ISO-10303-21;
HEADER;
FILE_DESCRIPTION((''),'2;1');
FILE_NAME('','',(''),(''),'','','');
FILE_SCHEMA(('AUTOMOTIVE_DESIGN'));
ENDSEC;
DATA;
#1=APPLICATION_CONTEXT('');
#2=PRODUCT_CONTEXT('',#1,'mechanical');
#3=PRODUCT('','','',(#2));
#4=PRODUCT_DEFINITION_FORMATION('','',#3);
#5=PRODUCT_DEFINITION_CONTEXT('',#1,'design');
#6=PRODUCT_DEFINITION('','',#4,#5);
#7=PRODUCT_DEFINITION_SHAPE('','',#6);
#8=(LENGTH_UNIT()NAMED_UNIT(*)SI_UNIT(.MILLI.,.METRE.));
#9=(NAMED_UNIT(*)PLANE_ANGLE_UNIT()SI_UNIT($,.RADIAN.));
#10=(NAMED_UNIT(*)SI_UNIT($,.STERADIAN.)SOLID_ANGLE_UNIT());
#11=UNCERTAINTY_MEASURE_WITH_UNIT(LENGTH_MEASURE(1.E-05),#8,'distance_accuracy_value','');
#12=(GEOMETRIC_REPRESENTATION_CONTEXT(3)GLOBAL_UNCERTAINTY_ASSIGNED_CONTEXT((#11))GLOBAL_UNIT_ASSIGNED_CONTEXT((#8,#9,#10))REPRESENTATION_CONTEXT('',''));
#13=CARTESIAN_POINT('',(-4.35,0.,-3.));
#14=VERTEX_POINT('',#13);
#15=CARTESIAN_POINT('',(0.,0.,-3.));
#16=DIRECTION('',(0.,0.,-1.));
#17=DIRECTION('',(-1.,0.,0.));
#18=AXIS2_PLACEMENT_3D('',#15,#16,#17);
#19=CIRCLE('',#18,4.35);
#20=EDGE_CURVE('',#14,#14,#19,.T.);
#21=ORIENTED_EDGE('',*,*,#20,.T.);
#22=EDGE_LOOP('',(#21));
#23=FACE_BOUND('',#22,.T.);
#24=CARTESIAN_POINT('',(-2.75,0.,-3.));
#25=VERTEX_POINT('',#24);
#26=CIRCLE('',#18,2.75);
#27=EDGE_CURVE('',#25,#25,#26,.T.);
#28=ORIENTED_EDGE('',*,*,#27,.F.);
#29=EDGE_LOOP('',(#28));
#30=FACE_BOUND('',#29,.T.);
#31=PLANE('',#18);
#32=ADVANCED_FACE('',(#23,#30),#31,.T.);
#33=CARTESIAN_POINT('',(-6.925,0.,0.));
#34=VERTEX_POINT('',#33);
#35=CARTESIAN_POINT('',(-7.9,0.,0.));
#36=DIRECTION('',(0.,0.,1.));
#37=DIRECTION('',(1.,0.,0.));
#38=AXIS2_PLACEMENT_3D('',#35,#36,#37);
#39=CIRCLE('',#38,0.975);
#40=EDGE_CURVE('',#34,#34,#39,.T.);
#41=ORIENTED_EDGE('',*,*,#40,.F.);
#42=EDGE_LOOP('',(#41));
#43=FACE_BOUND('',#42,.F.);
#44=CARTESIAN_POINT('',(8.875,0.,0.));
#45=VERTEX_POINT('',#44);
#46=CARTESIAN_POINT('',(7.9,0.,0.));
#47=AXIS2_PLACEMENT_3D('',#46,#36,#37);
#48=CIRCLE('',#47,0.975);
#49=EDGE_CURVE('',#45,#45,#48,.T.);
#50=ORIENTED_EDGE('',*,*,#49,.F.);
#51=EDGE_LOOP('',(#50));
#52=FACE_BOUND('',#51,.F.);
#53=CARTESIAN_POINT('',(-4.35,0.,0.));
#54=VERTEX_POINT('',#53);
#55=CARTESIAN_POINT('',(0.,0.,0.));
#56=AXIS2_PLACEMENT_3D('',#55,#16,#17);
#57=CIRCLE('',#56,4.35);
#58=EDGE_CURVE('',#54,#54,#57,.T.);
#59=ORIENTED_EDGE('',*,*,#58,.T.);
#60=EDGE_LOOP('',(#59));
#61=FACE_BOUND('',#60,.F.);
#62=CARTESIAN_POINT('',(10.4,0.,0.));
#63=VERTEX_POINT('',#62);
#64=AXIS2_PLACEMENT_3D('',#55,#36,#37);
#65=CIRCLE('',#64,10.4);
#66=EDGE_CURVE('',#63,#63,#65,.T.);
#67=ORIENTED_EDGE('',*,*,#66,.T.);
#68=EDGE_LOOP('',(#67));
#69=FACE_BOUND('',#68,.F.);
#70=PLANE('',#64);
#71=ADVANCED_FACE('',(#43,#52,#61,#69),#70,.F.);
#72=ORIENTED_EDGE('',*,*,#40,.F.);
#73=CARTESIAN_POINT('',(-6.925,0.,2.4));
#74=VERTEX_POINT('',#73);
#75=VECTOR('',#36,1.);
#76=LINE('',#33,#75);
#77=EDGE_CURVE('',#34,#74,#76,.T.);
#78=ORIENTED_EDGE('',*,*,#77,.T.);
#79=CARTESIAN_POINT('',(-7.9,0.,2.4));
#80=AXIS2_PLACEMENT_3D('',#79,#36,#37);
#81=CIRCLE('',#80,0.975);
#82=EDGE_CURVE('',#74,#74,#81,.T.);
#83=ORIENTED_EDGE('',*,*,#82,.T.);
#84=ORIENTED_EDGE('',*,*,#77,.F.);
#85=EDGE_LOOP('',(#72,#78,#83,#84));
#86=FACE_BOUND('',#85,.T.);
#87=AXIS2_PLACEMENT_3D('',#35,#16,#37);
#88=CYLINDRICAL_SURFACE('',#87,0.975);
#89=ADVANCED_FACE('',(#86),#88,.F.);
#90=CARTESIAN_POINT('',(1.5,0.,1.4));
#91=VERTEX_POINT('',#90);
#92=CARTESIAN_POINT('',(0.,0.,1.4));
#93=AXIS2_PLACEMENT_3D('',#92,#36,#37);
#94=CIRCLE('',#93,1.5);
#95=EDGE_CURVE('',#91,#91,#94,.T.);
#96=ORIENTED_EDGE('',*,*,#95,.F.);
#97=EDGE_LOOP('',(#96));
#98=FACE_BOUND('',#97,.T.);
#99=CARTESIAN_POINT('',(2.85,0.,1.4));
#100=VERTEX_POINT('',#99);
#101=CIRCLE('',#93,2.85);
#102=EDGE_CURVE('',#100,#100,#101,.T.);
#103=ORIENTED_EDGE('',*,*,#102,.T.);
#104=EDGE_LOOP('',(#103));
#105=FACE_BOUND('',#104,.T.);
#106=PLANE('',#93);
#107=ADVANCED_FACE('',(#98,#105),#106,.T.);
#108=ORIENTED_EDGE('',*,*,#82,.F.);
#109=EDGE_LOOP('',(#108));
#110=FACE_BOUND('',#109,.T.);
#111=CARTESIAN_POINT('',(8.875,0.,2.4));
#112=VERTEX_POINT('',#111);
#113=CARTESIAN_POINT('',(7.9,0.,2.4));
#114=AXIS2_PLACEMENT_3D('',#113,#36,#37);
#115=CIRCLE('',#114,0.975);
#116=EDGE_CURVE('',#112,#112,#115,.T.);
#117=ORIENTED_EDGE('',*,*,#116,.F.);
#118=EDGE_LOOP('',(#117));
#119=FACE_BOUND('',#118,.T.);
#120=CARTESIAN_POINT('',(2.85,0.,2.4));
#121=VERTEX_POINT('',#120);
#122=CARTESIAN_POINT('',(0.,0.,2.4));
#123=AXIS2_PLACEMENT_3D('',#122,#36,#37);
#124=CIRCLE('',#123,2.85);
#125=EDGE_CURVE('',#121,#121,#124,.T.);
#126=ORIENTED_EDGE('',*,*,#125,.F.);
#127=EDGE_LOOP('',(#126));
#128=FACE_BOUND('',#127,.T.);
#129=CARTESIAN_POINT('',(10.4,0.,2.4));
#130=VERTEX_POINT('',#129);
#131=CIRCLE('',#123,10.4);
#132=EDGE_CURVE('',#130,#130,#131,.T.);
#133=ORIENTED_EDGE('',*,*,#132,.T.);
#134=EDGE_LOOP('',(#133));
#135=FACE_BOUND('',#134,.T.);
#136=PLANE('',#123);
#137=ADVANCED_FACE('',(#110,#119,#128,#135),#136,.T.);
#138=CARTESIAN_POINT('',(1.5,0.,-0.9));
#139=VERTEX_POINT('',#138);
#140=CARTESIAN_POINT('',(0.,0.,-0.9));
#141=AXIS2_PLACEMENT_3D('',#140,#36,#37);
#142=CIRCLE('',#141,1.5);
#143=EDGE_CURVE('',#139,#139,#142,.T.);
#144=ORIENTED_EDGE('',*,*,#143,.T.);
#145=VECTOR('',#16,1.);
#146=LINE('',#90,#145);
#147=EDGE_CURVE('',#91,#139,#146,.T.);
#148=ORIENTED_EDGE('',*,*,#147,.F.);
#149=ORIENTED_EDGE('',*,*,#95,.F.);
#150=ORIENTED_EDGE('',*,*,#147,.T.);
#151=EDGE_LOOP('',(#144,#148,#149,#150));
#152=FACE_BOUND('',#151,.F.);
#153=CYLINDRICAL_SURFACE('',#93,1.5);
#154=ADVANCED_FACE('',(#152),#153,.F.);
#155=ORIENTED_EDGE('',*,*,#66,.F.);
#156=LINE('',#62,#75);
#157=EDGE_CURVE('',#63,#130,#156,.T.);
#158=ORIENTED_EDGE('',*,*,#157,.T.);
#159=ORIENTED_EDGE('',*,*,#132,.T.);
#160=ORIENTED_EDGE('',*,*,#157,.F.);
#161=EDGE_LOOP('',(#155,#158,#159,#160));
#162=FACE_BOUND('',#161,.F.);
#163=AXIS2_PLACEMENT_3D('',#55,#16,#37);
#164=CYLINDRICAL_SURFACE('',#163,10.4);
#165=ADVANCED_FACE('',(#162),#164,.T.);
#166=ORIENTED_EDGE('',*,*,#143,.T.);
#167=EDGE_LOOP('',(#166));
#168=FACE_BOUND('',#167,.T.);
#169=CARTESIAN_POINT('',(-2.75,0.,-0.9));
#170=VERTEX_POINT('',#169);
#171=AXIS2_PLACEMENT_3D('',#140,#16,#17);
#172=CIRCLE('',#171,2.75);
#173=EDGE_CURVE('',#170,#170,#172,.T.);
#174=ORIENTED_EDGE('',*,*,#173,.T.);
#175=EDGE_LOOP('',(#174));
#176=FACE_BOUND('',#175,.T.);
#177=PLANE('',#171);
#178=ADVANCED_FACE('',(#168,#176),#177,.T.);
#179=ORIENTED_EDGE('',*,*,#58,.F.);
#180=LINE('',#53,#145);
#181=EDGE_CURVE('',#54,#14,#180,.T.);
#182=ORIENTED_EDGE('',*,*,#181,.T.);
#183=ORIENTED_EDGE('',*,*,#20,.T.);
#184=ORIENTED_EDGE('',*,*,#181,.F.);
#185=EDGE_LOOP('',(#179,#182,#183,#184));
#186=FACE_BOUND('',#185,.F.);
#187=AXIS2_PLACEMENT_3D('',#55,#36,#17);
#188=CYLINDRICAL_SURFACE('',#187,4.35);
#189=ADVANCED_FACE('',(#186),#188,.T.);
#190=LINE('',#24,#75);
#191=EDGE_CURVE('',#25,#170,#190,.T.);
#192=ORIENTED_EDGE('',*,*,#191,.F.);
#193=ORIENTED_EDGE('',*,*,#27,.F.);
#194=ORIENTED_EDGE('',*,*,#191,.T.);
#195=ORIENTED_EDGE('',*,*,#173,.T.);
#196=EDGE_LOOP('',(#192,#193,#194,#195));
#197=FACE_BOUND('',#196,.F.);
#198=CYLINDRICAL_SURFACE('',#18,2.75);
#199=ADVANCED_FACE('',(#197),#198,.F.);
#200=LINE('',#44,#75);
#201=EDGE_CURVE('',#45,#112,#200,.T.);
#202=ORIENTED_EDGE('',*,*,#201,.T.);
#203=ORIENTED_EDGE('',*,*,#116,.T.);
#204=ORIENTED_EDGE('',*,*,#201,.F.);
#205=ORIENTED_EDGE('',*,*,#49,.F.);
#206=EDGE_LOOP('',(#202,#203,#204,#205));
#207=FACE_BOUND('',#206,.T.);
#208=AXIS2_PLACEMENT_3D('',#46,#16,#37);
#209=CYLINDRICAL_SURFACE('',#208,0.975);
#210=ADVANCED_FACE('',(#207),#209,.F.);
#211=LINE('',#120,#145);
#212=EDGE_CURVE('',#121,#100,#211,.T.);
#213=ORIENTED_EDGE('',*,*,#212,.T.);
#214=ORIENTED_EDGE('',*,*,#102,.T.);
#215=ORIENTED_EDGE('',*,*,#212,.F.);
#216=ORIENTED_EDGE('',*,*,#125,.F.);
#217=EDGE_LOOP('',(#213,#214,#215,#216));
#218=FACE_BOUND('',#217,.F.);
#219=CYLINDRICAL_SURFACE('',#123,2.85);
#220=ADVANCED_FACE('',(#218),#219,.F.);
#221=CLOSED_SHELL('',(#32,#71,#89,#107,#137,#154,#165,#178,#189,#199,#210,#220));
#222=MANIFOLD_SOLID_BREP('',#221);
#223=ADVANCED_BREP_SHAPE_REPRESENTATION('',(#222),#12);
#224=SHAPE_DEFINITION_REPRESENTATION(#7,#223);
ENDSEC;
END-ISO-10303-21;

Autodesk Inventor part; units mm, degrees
ref_plane "YZ Plane" through (0, 0, 0) normal (1, 0, 0) x (0, 1, 0)
ref_plane "XZ Plane" through (0, 0, 0) normal (0, 1, 0) x (-1, 0, 0)
ref_plane "XY Plane" through (0, 0, 0) normal (0, 0, 1) x (1, 0, 0)
sketch "Sketch3" plane through (0, 0, 0) normal (0, 0, 1) x (1, 0, 0)
  circle A0 centre (0, 0) radius 10.4
  circle A1 centre (-7.9, 0) radius 0.975 projected
  circle A2 centre (7.9, 0) radius 0.975 projected
  circle A3 centre (-7.9, 0) radius 0.975
  circle A4 centre (7.9, 0) radius 0.975
  dimension "d0" = 20.8
extrude "Extrusion1" add sketch "Sketch3" along normal blind 2.4
sketch "Sketch4" plane through (0, 0, 0) normal (0, 0, -1) x (-1, 0, 0)
  circle A0 centre (0, 0) radius 4.35
  circle A1 centre (0, 0) radius 2.7
  dimension "d3" = 8.7
  dimension "d4" = 5.4
extrude "Extrusion2" add sketch "Sketch4" along normal blind 3 contours A0 | A1
sketch "Sketch5" plane through (0, 0, -3) normal (0, 0, -1) x (-1, 0, 0)
  circle A0 centre (0, 0) radius 2.75
  dimension "d7" = 5.5
extrude "Extrusion3" cut sketch "Sketch5" against normal blind 2.1
sketch "Sketch6" plane through (0, 0, 2.4) normal (0, 0, 1) x (1, 0, 0)
  circle A0 centre (0, 0) radius 2.85
  dimension "d10" = 5.7
extrude "Extrusion4" cut sketch "Sketch6" against normal blind 1
sketch "Sketch7" plane through (0, 0, 1.4) normal (0, 0, 1) x (1, 0, 0)
  circle A0 centre (0, 0) radius 4.35 projected
  circle A1 centre (0, 0) radius 1.5
  dimension "d13" = 3
extrude "Extrusion5" cut sketch "Sketch7" against normal through all contours A1
properties part number "Circulo_Inferior"
